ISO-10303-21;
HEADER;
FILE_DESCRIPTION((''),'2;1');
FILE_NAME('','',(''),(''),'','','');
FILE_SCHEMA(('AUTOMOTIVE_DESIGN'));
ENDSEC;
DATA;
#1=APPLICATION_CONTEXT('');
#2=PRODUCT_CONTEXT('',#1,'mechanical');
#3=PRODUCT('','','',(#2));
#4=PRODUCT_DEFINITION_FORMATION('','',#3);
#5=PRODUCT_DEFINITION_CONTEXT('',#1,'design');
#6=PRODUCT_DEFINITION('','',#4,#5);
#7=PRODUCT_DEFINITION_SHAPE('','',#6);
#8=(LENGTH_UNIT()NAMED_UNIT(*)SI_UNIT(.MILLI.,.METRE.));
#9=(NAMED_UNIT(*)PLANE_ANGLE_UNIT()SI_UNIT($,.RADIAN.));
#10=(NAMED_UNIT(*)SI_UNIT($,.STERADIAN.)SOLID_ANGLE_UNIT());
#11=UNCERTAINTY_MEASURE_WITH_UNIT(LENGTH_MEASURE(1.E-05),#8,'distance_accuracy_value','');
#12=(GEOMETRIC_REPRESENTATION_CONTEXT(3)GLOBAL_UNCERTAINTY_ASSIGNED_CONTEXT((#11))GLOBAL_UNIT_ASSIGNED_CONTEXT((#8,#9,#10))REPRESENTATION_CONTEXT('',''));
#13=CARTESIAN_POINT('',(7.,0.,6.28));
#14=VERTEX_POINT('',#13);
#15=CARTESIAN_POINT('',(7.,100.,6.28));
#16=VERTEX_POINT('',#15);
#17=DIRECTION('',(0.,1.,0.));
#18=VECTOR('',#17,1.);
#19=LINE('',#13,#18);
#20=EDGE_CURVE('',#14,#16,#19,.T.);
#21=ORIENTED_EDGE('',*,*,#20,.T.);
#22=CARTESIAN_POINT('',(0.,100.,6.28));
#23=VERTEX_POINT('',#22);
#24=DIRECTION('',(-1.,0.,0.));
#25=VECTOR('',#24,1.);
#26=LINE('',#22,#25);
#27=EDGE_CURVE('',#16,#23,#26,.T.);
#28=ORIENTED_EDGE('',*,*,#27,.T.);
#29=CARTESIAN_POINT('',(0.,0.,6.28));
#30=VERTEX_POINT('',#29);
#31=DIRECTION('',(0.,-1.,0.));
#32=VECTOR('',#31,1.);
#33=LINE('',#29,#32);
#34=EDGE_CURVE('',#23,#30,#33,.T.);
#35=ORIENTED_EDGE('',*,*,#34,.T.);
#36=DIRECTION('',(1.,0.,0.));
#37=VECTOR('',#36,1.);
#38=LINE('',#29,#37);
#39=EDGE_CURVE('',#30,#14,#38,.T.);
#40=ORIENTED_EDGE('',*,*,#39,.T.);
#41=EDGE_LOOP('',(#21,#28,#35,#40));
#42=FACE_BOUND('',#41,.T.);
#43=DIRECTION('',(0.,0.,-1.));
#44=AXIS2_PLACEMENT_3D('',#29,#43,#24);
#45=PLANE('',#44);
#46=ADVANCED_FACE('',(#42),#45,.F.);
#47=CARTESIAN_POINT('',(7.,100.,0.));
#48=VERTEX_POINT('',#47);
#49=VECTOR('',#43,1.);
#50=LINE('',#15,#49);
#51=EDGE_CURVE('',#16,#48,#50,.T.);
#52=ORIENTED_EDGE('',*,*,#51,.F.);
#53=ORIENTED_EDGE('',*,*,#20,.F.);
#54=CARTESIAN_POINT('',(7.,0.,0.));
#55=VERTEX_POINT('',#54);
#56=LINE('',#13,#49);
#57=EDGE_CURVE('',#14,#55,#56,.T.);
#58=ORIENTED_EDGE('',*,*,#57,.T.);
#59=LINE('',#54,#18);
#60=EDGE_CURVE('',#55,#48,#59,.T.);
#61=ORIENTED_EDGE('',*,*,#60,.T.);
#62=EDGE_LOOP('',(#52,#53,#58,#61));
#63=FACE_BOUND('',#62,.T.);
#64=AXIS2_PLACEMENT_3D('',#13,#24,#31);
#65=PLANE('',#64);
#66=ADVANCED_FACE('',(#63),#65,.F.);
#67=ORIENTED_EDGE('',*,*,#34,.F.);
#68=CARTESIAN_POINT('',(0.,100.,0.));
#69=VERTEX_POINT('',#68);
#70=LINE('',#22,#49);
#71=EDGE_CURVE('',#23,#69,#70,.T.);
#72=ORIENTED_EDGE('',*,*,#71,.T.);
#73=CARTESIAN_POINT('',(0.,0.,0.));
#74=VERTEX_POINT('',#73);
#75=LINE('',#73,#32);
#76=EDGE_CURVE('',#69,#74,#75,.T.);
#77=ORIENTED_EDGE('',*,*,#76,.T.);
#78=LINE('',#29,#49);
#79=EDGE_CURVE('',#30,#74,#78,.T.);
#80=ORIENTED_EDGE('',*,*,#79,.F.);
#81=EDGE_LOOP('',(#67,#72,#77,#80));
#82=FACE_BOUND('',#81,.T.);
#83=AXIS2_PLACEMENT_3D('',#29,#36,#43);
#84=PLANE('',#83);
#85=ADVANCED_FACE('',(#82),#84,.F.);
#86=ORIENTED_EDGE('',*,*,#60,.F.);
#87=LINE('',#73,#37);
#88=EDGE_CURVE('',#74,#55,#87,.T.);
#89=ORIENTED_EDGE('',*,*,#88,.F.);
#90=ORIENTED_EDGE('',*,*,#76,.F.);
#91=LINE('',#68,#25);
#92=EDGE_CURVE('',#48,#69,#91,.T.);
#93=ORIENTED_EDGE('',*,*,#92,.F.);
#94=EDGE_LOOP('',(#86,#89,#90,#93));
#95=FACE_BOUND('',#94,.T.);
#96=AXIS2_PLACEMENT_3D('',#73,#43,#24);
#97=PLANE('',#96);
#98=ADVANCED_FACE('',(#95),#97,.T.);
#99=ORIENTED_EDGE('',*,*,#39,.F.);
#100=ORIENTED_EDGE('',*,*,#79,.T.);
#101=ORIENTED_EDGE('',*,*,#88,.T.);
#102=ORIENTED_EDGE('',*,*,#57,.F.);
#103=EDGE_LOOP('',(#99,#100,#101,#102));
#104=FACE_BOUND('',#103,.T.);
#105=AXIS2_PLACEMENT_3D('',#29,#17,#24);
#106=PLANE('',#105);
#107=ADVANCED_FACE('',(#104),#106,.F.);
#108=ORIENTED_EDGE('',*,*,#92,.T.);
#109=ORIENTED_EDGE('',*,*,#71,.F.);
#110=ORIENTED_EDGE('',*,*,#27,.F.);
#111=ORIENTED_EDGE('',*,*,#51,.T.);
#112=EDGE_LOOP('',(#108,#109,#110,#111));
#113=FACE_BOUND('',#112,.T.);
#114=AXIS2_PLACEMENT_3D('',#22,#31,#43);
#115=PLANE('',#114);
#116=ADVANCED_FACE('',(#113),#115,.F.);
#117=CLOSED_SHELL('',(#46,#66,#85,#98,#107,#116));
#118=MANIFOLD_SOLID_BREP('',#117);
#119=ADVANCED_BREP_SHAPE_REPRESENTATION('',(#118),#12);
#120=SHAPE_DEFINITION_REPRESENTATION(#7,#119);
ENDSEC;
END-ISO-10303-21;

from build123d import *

# Parameters (mm, degrees)
SCHIZZO1_W                   = 7
SCHIZZO1_H                   = 100
ESTRUSIONE_ESTRUSIONE1_DEPTH = 6.28


with BuildPart() as part:
    # Schizzo1 → Estrusione-Estrusione1 (new body)
    with BuildSketch(Plane.XY):
        with Locations((3.5, 50)):
            Rectangle(SCHIZZO1_W, SCHIZZO1_H)
    extrude(amount=ESTRUSIONE_ESTRUSIONE1_DEPTH)


solid = part.part
